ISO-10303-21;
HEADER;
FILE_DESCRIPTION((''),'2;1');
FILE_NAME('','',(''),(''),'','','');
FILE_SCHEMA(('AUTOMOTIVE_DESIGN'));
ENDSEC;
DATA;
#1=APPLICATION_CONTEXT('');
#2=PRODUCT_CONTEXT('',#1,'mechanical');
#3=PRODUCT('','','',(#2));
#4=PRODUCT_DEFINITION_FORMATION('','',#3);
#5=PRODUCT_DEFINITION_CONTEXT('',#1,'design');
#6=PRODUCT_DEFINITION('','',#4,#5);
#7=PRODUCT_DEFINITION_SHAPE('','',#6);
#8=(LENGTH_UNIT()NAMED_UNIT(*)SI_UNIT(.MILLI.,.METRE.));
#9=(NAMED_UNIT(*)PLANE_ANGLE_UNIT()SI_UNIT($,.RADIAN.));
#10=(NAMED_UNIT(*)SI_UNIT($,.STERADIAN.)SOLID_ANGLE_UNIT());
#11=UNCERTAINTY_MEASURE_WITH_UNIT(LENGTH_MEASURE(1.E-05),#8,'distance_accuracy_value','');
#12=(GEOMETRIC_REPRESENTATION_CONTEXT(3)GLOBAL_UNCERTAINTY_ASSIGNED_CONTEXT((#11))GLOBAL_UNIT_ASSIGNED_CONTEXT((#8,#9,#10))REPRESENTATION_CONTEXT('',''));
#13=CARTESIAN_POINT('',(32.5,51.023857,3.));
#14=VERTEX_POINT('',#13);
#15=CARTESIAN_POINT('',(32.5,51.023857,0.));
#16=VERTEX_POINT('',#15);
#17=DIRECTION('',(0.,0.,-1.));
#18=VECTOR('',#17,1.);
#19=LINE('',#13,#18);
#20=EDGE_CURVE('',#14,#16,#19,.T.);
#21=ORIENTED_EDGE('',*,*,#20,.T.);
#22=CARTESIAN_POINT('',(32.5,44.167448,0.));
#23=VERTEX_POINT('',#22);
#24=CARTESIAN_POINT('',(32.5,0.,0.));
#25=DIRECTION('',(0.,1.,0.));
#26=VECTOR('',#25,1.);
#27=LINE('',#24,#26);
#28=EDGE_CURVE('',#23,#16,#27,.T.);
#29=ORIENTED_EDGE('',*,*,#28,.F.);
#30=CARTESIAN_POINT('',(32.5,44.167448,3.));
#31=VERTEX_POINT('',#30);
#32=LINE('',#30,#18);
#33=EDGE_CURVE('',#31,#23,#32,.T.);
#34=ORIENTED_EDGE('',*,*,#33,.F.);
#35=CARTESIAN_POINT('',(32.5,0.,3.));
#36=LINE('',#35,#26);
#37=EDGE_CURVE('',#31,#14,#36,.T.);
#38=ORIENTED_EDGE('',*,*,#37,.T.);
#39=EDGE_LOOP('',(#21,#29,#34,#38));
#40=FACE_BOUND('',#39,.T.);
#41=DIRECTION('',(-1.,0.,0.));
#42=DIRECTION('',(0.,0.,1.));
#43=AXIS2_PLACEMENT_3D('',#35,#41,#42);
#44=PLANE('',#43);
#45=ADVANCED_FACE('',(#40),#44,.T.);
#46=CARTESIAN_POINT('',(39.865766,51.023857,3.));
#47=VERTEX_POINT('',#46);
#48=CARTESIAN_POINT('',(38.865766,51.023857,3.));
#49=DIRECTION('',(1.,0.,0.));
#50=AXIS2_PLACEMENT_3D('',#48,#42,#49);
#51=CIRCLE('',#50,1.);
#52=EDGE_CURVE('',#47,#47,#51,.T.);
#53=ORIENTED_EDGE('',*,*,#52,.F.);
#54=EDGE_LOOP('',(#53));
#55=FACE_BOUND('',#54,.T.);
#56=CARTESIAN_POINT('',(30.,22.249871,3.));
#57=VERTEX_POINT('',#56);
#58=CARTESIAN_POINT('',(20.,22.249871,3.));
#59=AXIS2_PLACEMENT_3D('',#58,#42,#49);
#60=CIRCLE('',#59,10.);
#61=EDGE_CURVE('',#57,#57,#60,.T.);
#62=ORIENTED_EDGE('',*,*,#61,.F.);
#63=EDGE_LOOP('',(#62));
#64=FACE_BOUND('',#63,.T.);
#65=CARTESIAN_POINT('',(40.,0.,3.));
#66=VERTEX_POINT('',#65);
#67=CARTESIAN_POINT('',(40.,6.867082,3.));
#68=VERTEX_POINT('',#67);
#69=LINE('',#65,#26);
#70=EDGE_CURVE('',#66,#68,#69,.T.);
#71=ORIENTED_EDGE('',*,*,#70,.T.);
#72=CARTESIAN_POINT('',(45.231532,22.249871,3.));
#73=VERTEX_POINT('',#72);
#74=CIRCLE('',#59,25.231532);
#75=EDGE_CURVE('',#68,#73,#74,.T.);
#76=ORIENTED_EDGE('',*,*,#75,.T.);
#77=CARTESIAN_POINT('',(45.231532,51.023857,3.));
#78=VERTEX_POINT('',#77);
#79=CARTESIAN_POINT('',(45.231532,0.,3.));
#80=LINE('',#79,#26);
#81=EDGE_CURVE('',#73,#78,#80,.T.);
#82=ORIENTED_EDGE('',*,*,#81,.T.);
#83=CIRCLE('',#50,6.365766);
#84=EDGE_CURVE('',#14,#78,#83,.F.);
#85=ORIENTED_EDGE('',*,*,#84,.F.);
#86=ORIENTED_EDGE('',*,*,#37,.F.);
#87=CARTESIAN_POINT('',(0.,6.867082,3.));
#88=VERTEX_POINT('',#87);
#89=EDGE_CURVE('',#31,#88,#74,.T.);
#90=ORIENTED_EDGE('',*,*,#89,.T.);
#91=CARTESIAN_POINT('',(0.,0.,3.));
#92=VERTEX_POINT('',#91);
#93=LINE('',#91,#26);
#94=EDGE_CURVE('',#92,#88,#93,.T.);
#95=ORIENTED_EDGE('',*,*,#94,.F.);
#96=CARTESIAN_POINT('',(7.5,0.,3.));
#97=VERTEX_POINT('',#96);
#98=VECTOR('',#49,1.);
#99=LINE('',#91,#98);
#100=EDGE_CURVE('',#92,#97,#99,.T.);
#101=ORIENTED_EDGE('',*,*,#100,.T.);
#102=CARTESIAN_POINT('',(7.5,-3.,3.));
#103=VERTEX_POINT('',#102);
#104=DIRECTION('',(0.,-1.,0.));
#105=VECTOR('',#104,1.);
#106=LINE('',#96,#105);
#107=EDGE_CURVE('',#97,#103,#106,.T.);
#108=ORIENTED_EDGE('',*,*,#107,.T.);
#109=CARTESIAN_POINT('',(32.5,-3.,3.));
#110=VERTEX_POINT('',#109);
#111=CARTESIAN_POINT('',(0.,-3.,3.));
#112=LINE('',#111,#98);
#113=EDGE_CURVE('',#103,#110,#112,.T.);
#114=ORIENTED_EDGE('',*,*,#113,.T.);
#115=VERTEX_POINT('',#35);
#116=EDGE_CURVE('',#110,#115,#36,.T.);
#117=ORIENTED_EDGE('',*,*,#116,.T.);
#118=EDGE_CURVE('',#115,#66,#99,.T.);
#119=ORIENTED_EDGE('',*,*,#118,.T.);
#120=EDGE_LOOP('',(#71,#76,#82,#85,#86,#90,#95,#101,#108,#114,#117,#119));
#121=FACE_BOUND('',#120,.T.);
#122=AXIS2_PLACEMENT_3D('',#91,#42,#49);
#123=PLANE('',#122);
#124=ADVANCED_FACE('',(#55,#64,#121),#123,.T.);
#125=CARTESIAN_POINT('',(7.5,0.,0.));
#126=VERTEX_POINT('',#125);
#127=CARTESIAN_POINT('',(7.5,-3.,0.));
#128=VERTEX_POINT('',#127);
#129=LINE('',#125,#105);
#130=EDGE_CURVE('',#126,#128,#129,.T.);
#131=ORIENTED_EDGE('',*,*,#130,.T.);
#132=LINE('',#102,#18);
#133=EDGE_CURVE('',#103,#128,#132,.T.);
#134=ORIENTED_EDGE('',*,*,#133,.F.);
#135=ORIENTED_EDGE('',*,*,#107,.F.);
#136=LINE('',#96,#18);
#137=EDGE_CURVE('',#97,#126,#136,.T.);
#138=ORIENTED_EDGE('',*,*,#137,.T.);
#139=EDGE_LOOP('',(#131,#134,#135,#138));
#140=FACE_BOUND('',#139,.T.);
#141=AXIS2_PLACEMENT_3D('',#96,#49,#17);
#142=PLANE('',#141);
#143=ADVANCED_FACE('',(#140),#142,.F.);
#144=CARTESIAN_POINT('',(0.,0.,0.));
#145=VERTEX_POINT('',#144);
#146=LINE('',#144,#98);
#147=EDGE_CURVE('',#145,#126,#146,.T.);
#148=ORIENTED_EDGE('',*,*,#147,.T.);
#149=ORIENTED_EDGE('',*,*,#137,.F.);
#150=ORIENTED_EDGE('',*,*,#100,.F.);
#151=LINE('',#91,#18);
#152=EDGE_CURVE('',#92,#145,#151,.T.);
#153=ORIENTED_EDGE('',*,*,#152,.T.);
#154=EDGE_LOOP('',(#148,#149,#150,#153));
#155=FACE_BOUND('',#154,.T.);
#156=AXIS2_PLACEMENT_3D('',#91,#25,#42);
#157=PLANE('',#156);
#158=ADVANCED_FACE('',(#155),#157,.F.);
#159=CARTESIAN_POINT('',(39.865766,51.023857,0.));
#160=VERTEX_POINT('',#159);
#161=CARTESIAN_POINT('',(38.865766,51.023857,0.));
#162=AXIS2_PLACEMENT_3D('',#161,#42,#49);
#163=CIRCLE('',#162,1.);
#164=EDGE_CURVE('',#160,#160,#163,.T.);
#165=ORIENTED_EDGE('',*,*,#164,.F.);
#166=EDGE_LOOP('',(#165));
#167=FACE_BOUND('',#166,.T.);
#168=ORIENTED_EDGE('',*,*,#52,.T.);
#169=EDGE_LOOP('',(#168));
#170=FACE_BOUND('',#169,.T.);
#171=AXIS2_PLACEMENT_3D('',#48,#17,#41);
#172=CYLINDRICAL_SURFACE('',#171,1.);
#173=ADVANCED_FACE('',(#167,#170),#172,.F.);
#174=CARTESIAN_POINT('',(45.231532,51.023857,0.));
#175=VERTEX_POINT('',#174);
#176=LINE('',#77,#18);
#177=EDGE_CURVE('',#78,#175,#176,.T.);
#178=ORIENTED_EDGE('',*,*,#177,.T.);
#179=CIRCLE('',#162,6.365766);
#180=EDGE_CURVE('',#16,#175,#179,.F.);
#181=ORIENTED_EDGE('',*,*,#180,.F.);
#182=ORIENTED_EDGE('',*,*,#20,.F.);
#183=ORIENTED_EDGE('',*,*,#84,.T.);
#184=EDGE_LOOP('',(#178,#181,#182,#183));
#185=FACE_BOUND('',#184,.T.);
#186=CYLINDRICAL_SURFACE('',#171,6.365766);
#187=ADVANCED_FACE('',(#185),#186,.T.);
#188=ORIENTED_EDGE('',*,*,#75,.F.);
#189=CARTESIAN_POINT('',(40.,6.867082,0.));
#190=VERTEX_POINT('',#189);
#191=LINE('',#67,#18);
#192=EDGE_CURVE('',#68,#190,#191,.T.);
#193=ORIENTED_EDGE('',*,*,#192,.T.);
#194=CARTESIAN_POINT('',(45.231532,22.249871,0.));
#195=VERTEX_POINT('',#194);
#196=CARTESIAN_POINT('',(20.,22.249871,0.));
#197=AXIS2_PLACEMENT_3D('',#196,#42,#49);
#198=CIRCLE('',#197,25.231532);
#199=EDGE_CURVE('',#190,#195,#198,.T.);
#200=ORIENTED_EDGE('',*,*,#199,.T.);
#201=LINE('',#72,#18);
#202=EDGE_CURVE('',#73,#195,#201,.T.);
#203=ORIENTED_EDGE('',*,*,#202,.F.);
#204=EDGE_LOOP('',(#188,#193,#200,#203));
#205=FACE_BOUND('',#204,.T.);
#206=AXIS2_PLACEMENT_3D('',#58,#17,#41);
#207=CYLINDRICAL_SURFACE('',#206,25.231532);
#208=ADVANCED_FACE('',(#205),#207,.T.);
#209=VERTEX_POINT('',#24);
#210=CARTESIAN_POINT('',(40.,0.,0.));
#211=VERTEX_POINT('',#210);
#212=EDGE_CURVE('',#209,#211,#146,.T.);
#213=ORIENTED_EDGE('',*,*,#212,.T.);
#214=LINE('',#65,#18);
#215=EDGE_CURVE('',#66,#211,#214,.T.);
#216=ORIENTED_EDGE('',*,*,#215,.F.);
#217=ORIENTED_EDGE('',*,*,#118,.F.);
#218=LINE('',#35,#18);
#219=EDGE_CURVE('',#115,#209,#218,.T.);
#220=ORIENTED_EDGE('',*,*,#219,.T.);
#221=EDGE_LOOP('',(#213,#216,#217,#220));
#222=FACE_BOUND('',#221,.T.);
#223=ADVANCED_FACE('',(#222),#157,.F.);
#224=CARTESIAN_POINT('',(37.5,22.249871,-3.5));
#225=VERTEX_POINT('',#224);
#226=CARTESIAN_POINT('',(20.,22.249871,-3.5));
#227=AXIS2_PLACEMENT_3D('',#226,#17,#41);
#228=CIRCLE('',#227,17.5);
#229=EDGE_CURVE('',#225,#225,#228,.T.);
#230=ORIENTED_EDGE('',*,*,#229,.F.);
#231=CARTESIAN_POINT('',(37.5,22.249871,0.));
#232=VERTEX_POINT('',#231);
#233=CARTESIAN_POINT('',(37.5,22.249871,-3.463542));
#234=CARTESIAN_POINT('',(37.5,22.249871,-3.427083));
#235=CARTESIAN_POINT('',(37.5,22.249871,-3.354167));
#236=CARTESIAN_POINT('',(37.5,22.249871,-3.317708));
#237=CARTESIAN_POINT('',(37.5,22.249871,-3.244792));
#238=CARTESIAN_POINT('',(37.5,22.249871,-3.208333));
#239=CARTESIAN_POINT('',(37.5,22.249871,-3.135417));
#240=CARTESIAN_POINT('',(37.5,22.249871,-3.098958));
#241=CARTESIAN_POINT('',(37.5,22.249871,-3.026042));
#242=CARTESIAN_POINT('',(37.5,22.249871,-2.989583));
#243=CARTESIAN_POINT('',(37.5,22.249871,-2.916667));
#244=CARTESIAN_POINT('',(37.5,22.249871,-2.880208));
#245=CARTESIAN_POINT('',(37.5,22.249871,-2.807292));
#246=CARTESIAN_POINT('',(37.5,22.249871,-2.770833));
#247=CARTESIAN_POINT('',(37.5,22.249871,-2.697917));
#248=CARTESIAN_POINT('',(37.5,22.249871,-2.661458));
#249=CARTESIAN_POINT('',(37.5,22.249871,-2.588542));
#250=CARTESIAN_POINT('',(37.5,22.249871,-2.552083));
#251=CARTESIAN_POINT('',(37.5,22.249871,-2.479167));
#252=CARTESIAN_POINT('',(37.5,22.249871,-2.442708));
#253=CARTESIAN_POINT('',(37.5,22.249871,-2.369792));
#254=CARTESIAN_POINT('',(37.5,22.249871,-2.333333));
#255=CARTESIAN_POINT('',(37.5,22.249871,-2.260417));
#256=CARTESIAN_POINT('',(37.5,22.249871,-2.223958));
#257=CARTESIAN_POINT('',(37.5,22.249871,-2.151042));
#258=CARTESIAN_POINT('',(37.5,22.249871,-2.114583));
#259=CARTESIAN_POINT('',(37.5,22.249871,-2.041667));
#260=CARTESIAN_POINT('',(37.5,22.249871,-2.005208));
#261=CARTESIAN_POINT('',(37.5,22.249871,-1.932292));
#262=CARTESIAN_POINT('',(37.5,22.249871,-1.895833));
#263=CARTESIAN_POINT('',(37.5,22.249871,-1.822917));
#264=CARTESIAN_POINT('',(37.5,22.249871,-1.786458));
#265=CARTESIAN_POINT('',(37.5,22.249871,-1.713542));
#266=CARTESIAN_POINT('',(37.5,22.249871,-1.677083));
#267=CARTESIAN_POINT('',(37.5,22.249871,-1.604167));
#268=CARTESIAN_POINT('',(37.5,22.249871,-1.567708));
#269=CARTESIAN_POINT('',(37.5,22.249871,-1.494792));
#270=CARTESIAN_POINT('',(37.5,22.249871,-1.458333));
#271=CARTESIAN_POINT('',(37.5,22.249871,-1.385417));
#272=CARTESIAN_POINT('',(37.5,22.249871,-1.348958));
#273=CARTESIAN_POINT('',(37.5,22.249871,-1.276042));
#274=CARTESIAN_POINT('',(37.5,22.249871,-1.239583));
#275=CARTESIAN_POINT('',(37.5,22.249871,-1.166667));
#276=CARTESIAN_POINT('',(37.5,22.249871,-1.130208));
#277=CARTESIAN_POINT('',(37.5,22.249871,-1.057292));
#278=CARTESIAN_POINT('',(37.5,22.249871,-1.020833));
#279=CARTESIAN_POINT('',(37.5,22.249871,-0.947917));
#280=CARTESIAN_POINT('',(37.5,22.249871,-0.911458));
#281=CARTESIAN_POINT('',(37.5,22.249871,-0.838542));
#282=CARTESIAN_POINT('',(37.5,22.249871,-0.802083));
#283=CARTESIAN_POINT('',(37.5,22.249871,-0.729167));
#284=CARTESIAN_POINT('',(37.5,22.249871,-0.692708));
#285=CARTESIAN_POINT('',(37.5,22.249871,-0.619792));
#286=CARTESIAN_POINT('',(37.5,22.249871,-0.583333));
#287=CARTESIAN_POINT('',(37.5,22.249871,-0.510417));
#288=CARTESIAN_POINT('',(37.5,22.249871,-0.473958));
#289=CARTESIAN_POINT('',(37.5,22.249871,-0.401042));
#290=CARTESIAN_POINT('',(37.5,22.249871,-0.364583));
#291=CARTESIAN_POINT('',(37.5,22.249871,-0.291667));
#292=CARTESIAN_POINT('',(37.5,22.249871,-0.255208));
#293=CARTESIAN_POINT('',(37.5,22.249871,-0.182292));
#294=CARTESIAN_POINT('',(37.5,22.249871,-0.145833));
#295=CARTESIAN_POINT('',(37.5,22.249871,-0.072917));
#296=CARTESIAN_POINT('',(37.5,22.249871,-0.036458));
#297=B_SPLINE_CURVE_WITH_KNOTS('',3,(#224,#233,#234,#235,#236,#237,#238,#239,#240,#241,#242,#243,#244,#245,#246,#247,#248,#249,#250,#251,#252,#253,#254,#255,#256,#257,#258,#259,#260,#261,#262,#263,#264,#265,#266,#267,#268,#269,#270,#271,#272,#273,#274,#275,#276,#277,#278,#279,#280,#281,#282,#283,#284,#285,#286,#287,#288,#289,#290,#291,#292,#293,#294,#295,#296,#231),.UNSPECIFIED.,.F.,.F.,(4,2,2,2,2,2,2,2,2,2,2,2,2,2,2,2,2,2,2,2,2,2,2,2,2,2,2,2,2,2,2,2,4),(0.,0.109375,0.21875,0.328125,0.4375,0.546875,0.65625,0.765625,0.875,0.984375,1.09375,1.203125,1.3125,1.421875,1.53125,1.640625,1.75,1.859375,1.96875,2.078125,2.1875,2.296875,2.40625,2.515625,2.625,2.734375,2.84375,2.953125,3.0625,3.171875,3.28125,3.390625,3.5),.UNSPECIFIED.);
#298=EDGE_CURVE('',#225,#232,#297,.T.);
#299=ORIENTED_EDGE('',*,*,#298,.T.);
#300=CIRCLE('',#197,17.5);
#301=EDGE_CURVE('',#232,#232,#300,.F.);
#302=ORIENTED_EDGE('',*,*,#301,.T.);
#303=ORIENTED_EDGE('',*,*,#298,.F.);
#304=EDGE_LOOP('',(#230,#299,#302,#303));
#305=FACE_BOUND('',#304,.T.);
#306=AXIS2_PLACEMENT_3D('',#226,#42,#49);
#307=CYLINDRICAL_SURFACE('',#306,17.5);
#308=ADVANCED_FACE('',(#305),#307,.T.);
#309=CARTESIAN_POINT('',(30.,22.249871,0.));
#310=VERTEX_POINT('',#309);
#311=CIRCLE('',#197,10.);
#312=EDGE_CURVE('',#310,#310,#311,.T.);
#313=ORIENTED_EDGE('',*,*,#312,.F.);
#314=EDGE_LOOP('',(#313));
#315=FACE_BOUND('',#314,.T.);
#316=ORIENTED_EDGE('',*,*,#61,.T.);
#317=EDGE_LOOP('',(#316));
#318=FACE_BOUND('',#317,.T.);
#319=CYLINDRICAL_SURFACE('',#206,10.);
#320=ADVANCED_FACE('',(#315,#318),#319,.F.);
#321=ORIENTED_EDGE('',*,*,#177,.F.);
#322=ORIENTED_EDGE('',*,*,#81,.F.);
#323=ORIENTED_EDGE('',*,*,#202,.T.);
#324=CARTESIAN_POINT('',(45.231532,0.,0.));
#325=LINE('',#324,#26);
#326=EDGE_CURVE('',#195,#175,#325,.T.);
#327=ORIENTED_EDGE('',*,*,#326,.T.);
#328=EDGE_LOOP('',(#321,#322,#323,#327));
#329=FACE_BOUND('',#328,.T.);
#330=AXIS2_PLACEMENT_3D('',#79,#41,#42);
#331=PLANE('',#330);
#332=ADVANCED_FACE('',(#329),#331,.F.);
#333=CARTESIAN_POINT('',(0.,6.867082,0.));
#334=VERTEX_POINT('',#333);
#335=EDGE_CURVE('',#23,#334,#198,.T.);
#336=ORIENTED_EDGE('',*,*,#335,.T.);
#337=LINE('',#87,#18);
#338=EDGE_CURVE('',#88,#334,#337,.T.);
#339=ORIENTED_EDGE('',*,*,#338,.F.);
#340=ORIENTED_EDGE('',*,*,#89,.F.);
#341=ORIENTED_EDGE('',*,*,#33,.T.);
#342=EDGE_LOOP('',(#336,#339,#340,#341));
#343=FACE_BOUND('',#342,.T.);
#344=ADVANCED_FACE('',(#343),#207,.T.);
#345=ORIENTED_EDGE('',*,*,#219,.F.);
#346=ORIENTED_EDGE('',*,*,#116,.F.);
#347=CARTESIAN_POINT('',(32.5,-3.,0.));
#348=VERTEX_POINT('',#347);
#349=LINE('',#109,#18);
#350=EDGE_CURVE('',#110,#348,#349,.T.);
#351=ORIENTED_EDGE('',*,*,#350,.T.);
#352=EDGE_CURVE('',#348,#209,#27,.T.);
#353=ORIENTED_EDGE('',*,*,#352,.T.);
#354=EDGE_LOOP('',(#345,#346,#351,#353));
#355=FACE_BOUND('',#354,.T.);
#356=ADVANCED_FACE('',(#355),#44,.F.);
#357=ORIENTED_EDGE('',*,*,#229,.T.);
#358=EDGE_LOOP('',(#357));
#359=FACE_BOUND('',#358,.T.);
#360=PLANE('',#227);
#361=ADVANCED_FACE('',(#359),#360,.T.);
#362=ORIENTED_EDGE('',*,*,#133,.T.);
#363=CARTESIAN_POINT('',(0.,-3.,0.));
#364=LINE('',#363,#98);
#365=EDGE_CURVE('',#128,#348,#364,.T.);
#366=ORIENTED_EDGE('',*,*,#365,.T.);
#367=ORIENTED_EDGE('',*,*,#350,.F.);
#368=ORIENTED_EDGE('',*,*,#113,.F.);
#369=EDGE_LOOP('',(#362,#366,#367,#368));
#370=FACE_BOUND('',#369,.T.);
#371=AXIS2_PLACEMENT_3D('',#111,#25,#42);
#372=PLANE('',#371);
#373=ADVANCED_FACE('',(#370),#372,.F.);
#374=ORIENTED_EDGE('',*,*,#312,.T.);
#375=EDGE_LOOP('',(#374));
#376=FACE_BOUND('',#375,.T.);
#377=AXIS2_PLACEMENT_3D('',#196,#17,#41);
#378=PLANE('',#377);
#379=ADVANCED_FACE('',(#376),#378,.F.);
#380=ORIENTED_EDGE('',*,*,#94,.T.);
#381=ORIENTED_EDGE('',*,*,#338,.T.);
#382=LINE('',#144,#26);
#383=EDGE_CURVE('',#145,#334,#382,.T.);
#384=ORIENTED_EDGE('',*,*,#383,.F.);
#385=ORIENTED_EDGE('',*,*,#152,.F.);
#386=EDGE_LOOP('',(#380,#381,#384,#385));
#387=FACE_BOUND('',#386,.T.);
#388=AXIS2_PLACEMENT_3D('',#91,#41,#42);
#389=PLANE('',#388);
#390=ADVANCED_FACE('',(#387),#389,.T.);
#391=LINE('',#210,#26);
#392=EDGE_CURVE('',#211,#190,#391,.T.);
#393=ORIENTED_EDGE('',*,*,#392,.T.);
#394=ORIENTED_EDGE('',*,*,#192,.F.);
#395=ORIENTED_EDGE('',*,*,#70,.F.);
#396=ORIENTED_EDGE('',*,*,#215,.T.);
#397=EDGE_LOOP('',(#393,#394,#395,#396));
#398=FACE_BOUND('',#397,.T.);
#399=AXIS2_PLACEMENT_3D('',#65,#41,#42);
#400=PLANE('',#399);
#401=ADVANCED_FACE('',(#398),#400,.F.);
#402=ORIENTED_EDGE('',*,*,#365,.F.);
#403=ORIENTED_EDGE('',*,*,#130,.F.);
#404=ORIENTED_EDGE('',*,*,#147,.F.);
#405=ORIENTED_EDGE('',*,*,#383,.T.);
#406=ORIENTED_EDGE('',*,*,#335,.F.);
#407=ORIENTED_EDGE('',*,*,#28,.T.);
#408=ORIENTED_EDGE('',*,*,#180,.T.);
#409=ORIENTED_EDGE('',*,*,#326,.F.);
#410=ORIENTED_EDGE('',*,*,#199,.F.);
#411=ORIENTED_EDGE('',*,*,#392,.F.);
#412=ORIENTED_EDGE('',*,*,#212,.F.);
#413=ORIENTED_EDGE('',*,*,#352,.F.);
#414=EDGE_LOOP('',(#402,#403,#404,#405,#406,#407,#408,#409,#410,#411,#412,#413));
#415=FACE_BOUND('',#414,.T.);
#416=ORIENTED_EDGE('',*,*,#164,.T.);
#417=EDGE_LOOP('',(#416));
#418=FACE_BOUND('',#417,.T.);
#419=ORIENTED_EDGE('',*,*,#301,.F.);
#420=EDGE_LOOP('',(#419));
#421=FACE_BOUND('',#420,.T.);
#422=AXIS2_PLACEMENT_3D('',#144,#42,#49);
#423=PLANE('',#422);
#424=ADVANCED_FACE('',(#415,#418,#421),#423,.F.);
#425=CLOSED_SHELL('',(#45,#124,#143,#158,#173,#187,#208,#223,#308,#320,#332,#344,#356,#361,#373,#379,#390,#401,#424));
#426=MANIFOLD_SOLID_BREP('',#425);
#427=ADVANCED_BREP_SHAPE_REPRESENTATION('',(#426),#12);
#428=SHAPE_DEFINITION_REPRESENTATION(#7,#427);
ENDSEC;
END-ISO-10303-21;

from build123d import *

# Parameters (mm, degrees)
SKETCH1_R           = 17.265633628
SKETCH1_R_2         = 1
SKETCH1_R_3         = 10
SKETCH1_W           = 25
SKETCH1_H           = 3
BOSS_EXTRUDE5_DEPTH = 3
SKETCH2_R           = 17.5
BOSS_EXTRUDE6_DEPTH = 3.5


with BuildPart() as part:
    # Sketch1 → Boss-Extrude5 (new body)
    # profile 1 of 3: a face of its own
    with BuildSketch(Plane.XY):
        with BuildLine():
            Line((0, 0), (7.5, 0))
            Line((7.5, 0), (32.5, 0))
            Line((32.5, 0), (40, 0))
            Line((40, 0), (40, 6.867081787))
            ThreePointArc((40, 6.867081787), (43.887871625, 14.125845764), (45.231531638, 22.249870507))
            Line((45.231531638, 22.249870507), (45.231531638, 51.023857348))
            ThreePointArc((45.231531638, 51.023857348), (38.865765819, 57.389623167), (32.5, 51.023857348))
            Line((32.5, 51.023857348), (32.5, 44.167447672))
            ThreePointArc((32.5, 44.167447672), (0.97654543, 38.82510399), (0, 6.867081787))
            Line((0, 6.867081787), (0, 0))
        make_face()
        with Locations((20, 22.249870507)):
            Circle(SKETCH1_R, mode=Mode.SUBTRACT)
        with Locations((38.865765819, 51.023857348)):
            Circle(SKETCH1_R_2, mode=Mode.SUBTRACT)
    # profile 2 of 3: a face of its own
    with BuildSketch(Plane.XY):
        with Locations((20, 22.249870507)):
            Circle(SKETCH1_R)
        with Locations((20, 22.249870507)):
            Circle(SKETCH1_R_3, mode=Mode.SUBTRACT)
    # profile 3 of 3: a face of its own
    with BuildSketch(Plane.XY):
        with Locations((20, -1.5)):
            Rectangle(SKETCH1_W, SKETCH1_H)
    extrude(amount=BOSS_EXTRUDE5_DEPTH)

    # Sketch2 → Boss-Extrude6 (add)
    with BuildSketch(Plane(origin=(0, 0, 0), x_dir=(-1, 0, 0), z_dir=(0, 0, -1))):
        with Locations(Location((-20, 22.249870507, 0), (0, 0, 180))):
            Circle(SKETCH2_R)
    extrude(amount=BOSS_EXTRUDE6_DEPTH)


solid = part.part
